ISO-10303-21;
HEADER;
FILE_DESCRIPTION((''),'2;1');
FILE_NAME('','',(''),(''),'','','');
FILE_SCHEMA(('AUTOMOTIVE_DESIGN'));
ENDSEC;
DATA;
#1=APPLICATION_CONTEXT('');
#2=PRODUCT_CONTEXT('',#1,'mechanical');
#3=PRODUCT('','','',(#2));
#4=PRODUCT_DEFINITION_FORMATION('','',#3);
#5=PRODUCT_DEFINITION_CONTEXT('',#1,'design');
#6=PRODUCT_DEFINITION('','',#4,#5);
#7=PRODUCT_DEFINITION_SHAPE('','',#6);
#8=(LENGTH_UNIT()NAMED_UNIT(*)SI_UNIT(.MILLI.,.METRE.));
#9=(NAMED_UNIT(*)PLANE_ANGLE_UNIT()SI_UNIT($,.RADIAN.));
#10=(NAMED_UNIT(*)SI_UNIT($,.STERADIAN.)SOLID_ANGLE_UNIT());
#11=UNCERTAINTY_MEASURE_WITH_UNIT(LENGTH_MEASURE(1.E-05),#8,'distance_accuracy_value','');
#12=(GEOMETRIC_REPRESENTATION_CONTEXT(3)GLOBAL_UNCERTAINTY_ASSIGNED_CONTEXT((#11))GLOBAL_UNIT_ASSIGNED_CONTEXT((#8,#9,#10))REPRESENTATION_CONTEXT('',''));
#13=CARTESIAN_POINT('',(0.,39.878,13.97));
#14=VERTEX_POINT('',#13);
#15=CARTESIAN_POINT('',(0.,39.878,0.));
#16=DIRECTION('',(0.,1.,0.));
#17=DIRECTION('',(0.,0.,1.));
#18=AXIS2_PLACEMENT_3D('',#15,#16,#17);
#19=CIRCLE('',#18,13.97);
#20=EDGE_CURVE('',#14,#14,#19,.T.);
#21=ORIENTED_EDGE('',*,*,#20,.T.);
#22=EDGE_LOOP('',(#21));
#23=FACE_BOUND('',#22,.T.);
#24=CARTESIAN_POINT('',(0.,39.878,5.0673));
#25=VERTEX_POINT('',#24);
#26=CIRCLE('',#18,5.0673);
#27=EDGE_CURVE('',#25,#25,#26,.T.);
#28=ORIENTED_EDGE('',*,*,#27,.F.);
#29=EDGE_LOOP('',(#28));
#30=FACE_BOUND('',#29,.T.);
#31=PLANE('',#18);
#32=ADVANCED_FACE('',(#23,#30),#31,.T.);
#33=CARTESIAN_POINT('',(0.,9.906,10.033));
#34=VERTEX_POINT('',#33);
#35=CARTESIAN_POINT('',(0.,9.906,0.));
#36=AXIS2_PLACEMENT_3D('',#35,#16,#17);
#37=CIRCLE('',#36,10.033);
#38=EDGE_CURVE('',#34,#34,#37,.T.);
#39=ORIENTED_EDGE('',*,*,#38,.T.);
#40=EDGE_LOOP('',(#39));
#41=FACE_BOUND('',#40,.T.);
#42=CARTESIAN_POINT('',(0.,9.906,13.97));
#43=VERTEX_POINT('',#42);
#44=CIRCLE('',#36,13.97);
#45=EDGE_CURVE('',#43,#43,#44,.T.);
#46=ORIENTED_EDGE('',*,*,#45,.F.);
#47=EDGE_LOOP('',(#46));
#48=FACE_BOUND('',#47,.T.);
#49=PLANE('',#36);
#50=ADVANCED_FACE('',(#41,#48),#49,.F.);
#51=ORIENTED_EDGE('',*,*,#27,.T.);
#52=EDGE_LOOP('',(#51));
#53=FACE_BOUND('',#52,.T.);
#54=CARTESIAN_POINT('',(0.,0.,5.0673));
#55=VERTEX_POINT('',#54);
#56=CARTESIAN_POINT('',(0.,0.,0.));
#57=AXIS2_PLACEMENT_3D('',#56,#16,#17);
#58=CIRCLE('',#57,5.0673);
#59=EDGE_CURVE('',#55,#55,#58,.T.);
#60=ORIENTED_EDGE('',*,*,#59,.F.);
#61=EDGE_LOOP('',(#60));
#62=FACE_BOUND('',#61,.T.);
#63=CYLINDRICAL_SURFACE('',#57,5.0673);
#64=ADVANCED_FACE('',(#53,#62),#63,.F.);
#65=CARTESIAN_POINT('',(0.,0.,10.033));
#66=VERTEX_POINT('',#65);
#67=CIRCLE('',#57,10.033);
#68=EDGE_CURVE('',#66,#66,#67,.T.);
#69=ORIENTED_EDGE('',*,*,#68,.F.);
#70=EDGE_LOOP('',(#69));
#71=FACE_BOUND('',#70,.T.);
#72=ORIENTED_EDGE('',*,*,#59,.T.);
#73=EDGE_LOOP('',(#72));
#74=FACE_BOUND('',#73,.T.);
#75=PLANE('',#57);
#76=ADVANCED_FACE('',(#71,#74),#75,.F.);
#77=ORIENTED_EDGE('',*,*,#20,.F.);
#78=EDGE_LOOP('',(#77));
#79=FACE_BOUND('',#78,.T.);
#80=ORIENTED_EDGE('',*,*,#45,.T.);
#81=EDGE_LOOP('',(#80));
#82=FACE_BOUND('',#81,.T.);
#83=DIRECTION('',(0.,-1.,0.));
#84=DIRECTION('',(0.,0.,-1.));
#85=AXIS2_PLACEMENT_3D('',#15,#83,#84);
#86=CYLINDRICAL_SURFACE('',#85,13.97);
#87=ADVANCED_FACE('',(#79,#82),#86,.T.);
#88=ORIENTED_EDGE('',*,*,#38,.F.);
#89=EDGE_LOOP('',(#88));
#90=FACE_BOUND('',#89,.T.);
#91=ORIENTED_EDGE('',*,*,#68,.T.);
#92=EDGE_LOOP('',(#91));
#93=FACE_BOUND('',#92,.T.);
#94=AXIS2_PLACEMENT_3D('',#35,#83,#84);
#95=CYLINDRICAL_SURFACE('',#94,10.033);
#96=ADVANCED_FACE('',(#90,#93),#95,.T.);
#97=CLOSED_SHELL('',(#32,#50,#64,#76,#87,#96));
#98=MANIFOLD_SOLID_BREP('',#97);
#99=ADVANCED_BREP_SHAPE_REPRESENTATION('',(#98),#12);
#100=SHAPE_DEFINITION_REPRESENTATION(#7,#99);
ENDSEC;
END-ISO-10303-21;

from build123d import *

# Parameters (mm, degrees)
SKETCH1_R           = 10.033
BOSS_EXTRUDE1_DEPTH = 9.906
SKETCH2_R           = 13.97
BOSS_EXTRUDE2_DEPTH = 29.972
SKETCH3_R           = 5.0673
CUT_EXTRUDE1_DEPTH  = 45.503670455


with BuildPart() as part:
    # Sketch1 → Boss-Extrude1 (new body)
    with BuildSketch(Plane(origin=(0, 0, 0), x_dir=(1, 0, 0), z_dir=(0, 1, 0))):
        with Locations(Location((0, 0, 0), (0, 0, 270))):
            Circle(SKETCH1_R)
    extrude(amount=BOSS_EXTRUDE1_DEPTH)

    # Sketch2 → Boss-Extrude2 (add)
    with BuildSketch(Plane(origin=(0, 9.906, 0), x_dir=(1, 0, 0), z_dir=(0, 1, 0))):
        with Locations(Location((0, 0, 0), (0, 0, 270))):
            Circle(SKETCH2_R)
    extrude(amount=BOSS_EXTRUDE2_DEPTH)

    # Sketch3 → Cut-Extrude1 (cut, through all)
    with BuildSketch(Plane(origin=(0, 39.878, 0), x_dir=(1, 0, 0), z_dir=(0, 1, 0))):
        with Locations(Location((0, 0, 0), (0, 0, 270))):
            Circle(SKETCH3_R)
    extrude(amount=-CUT_EXTRUDE1_DEPTH, mode=Mode.SUBTRACT)


solid = part.part
